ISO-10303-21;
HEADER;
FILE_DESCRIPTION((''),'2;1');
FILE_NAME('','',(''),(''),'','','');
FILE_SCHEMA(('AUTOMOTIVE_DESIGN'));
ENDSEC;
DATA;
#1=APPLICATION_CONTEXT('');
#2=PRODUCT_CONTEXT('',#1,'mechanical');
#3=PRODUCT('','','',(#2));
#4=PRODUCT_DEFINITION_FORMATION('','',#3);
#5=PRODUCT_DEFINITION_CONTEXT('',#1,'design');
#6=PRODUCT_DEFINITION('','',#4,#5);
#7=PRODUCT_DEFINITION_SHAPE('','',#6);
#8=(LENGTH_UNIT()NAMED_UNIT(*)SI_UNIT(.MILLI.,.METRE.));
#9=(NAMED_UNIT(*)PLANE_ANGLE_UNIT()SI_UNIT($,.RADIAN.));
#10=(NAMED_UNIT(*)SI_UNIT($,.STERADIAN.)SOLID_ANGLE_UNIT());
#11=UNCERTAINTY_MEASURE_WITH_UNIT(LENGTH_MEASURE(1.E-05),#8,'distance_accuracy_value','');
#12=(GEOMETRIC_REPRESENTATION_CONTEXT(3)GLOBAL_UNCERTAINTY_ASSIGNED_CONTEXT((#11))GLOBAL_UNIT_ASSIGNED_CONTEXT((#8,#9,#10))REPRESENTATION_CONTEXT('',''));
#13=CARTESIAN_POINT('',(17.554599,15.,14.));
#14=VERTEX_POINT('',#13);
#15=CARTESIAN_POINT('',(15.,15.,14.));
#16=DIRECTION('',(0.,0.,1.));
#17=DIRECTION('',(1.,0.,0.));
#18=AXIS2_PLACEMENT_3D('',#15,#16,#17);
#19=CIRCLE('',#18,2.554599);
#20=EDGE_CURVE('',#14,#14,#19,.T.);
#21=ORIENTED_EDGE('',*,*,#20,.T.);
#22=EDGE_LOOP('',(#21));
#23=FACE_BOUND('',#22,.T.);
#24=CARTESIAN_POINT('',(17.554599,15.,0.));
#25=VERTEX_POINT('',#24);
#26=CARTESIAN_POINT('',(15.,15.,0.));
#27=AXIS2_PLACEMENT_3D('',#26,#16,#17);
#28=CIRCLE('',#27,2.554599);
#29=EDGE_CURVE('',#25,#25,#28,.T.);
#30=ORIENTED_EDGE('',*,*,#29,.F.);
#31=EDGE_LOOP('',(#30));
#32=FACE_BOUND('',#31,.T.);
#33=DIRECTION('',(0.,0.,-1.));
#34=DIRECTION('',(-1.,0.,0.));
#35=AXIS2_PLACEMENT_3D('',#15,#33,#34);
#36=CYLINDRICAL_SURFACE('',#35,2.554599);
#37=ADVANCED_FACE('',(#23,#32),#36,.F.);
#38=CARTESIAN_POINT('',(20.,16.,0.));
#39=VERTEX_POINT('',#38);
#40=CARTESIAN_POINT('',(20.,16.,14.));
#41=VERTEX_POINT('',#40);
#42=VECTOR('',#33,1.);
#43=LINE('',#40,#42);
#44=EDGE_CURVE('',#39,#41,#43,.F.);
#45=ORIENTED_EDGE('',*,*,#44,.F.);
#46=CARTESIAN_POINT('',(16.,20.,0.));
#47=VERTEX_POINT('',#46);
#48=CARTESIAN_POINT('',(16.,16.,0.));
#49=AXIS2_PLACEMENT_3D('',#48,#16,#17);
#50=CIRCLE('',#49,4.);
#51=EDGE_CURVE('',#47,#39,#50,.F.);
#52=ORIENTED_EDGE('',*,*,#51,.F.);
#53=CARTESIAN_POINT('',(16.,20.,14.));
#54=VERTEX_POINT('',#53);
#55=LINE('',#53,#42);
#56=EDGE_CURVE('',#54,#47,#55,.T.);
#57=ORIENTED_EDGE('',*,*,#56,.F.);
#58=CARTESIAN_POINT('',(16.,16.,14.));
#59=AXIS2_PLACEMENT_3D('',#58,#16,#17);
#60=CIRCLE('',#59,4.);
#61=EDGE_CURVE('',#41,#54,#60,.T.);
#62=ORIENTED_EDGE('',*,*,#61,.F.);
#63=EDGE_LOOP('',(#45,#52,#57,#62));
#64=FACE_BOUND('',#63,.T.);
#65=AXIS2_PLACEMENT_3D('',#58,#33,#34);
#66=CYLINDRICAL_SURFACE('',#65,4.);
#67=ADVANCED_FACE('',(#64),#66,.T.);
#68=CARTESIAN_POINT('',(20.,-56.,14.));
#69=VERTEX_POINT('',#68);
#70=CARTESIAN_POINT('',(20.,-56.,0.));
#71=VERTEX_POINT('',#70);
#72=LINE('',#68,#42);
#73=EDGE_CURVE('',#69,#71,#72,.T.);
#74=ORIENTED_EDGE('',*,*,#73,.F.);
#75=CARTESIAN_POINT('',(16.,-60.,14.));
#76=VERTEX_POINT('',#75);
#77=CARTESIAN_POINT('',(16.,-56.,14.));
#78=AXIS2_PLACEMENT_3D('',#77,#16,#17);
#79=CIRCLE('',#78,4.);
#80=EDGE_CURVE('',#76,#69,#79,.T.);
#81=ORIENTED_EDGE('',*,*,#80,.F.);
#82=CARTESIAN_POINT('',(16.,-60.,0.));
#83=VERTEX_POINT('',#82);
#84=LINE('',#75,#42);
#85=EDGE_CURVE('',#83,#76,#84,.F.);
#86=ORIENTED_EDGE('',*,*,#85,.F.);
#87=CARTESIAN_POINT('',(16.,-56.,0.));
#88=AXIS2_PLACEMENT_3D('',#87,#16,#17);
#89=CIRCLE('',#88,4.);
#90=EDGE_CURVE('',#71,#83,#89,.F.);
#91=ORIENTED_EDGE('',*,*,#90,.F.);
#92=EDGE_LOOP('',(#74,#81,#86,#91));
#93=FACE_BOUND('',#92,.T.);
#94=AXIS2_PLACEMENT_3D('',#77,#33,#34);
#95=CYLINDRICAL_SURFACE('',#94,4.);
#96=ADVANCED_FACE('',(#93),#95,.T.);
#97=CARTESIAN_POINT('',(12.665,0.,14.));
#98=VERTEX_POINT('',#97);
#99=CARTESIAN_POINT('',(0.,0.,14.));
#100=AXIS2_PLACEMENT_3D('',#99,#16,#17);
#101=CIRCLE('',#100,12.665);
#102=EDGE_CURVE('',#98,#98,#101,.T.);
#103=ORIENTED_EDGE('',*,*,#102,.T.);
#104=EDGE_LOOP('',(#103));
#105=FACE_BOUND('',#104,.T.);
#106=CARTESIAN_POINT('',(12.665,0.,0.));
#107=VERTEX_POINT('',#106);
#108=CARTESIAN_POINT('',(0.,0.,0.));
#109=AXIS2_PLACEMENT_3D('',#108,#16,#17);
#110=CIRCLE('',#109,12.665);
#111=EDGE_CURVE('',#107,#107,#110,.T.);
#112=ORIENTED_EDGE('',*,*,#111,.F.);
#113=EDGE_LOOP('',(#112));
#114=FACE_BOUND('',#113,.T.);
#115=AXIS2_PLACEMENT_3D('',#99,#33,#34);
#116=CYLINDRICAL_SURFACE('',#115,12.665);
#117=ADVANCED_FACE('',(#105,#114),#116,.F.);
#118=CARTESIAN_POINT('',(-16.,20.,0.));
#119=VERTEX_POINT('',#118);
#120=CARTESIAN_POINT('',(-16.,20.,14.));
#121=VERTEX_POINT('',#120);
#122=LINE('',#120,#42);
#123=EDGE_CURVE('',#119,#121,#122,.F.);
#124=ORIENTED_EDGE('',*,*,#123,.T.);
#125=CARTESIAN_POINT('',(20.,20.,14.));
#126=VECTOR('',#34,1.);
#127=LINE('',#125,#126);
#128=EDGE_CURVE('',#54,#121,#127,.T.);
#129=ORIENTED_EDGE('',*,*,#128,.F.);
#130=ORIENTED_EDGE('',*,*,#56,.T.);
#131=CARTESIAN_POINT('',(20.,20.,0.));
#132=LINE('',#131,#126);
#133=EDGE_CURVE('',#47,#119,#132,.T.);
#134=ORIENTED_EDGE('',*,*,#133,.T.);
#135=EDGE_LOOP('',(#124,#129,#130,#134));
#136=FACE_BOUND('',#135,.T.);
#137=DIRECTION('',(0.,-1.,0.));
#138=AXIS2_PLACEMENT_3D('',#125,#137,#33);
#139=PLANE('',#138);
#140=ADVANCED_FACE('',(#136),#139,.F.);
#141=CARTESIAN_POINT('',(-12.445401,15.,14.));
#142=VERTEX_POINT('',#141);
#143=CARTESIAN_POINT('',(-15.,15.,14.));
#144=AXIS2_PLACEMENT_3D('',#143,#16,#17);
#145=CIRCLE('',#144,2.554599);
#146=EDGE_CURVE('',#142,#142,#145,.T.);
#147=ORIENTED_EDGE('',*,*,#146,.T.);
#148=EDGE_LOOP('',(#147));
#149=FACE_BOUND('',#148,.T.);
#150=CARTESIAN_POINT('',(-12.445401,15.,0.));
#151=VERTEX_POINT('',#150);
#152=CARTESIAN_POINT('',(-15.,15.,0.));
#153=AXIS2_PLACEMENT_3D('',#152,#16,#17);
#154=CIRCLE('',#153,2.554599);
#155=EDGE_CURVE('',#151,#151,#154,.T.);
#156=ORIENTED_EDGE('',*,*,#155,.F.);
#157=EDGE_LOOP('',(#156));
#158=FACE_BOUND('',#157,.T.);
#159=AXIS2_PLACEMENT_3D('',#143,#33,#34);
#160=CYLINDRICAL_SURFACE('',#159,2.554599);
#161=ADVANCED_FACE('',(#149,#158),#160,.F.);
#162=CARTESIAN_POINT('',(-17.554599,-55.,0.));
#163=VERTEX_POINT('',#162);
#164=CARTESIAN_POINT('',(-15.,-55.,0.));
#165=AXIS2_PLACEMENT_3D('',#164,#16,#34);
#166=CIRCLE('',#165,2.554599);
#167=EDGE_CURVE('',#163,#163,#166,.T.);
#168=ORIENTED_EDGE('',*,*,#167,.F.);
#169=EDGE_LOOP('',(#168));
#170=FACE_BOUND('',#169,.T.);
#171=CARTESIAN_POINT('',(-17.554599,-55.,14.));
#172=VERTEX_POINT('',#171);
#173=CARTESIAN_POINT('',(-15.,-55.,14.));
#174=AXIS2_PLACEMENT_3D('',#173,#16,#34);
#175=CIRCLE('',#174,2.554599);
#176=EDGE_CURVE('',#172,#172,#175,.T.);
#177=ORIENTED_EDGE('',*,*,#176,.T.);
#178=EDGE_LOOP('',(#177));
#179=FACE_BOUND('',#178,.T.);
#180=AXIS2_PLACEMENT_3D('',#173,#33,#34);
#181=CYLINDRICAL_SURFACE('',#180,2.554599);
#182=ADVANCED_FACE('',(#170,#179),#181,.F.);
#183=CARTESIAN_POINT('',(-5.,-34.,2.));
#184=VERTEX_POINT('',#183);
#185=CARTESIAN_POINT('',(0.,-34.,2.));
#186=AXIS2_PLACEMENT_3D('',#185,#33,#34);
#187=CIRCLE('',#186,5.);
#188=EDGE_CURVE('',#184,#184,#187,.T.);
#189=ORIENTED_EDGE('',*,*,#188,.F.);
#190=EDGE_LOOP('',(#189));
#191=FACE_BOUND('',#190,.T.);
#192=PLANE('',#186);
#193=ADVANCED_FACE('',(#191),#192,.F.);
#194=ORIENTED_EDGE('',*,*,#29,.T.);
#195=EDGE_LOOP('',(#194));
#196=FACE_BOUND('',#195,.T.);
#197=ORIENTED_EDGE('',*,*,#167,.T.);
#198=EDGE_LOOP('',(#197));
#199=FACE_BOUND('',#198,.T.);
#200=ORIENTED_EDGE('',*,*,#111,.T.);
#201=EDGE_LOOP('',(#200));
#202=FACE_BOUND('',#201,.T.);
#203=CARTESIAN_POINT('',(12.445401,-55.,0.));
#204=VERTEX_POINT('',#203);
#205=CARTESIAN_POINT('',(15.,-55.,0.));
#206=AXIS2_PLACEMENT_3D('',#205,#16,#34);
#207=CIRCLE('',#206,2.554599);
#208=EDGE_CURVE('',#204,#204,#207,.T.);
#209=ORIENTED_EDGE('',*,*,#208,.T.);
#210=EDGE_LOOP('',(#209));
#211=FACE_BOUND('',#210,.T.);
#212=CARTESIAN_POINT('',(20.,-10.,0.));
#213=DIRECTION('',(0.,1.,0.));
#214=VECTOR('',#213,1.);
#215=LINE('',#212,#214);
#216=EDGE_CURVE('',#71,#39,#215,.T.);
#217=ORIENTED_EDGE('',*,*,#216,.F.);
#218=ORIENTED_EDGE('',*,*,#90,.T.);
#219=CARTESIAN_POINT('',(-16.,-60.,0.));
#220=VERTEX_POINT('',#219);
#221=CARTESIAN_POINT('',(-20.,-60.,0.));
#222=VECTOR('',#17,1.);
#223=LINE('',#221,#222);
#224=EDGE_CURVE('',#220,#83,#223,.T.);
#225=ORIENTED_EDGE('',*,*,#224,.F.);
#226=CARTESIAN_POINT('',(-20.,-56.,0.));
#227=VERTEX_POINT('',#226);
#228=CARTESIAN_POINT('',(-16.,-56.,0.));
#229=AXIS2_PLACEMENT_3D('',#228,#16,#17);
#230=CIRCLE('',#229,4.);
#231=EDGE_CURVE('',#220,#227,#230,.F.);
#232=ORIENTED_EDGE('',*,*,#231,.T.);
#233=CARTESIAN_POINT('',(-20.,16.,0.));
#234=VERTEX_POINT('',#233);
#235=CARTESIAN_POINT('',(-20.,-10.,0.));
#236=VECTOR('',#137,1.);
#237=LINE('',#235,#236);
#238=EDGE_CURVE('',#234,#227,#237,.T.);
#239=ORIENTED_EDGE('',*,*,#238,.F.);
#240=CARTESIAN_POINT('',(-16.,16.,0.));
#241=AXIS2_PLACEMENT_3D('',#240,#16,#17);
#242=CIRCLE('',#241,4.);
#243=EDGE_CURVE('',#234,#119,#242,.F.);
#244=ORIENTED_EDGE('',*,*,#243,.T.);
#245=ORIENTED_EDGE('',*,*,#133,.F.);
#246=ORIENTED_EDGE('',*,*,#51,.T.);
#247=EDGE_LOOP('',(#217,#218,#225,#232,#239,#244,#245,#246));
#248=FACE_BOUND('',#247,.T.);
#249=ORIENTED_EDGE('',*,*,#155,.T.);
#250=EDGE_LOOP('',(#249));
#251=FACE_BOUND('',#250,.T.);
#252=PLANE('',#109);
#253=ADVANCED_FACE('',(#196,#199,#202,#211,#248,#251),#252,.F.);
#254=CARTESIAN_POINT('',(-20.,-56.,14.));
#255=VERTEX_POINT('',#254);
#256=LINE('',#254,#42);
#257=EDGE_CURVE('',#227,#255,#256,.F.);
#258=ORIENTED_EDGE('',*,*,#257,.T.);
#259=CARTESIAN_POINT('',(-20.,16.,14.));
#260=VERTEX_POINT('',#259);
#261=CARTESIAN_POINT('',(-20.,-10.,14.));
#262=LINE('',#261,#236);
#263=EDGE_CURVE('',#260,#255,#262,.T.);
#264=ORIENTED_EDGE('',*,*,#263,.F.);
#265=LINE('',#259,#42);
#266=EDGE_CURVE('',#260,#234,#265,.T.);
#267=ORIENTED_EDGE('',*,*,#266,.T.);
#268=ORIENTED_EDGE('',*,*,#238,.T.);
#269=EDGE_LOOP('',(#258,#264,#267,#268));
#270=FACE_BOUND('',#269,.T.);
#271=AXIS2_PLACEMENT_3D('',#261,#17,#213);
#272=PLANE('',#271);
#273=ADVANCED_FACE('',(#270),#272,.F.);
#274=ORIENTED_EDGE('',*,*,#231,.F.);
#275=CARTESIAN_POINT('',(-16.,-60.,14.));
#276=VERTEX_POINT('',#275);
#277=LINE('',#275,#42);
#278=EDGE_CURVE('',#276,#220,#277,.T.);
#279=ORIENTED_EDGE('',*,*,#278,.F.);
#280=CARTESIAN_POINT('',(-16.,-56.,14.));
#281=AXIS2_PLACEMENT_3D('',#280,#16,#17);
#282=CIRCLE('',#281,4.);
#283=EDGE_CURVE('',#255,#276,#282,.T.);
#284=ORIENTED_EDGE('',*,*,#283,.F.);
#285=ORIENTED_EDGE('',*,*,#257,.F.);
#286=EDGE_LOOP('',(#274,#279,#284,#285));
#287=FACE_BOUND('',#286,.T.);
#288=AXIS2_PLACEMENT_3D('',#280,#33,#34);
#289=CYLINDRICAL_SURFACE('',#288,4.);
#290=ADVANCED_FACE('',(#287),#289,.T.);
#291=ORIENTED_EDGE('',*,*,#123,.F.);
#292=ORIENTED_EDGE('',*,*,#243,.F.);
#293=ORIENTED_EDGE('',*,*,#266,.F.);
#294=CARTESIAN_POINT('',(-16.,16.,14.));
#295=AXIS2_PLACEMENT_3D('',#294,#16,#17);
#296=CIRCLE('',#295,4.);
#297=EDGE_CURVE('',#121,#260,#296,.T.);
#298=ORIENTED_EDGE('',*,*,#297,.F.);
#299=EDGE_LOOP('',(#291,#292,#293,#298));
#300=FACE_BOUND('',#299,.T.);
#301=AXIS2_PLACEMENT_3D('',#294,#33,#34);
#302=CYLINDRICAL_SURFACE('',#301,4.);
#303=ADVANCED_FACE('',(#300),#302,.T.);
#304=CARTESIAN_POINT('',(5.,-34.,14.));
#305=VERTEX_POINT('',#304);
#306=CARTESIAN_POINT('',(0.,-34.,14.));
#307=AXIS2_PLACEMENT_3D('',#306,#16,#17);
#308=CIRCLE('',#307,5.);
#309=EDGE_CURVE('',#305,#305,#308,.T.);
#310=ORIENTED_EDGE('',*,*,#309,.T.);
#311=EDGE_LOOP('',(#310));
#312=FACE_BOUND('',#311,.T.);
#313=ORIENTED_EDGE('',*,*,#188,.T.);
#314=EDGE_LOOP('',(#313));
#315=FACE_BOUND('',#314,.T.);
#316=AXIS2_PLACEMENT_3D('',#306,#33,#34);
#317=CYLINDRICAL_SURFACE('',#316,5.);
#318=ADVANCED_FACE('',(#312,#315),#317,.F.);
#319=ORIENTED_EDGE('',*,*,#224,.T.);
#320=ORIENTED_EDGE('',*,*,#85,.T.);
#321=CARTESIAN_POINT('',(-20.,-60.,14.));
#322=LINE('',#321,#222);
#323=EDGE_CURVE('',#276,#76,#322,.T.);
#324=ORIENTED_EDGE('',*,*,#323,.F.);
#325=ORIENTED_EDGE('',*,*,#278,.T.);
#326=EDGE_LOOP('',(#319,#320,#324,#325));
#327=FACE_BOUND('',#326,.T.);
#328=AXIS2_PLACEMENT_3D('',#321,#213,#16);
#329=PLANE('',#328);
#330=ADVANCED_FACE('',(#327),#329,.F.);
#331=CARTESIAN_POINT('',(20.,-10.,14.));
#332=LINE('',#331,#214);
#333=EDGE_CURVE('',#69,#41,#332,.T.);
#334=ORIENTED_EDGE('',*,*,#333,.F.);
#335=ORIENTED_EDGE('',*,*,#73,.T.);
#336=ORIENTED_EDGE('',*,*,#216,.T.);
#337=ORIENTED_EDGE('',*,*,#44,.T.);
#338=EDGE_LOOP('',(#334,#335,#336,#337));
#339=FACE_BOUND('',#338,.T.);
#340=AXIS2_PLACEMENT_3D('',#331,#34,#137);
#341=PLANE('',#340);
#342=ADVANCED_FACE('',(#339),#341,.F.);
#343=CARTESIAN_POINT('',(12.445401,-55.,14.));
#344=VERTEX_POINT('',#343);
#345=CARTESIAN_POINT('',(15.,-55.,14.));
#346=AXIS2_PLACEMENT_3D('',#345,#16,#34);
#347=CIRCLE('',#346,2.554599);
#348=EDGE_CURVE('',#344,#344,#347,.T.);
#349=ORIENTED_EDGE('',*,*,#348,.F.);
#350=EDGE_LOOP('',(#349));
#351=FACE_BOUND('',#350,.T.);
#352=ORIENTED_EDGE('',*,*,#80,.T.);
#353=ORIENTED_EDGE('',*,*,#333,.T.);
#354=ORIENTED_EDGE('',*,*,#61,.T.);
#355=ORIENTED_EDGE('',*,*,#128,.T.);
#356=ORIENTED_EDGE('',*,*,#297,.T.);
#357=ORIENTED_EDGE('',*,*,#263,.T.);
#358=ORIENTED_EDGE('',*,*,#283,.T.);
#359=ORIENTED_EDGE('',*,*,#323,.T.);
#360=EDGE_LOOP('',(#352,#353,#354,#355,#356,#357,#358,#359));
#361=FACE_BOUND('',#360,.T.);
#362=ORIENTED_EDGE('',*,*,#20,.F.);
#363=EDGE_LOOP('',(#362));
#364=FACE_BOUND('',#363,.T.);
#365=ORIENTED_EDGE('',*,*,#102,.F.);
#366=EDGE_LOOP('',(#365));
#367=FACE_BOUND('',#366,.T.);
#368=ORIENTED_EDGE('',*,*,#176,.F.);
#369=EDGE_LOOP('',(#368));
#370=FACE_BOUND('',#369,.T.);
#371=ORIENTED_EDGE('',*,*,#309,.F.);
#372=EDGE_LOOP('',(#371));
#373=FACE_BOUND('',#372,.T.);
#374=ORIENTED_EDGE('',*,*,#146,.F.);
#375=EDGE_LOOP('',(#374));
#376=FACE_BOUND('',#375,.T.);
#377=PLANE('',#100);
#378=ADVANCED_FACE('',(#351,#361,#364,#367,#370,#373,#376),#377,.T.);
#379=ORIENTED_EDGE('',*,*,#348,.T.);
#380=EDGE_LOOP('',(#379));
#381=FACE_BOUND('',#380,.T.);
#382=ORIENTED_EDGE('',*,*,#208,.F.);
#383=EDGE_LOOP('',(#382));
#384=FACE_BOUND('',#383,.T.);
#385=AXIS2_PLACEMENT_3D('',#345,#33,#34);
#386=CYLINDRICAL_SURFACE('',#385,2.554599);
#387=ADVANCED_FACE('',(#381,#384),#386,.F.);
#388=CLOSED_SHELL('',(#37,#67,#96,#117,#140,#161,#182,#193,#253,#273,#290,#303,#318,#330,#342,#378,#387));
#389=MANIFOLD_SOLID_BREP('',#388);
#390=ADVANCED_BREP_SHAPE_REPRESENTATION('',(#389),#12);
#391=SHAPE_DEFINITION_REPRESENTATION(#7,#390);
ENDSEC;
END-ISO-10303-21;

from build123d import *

# Parameters (mm, degrees)
SKETCH1_R           = 12.665
SKETCH1_R_2         = 2.554599
SKETCH1_R_3         = 5
BOSS_EXTRUDE1_DEPTH = 14
FILLET1_R           = 4
SKETCH11_R          = 7.5
BOSS_EXTRUDE3_DEPTH = 2


with BuildPart() as part:
    # Sketch1 → Boss-Extrude1 (new body)
    with BuildSketch(Plane.XY):
        Polygon((20, -10), (20, 20), (-20, 20), (-20, -10), (-20, -60), (20, -60), align=None)
        Circle(SKETCH1_R, mode=Mode.SUBTRACT)
        with Locations((-15, 15)):
            Circle(SKETCH1_R_2, mode=Mode.SUBTRACT)
        with Locations((15, 15)):
            Circle(SKETCH1_R_2, mode=Mode.SUBTRACT)
        with Locations((-15, -55)):
            Circle(SKETCH1_R_2, mode=Mode.SUBTRACT)
        with Locations((15, -55)):
            Circle(SKETCH1_R_2, mode=Mode.SUBTRACT)
        with Locations((0, -34)):
            Circle(SKETCH1_R_3, mode=Mode.SUBTRACT)
    extrude(amount=BOSS_EXTRUDE1_DEPTH)

    # Fillet1
    fillet1_edges = [part.edges().sort_by_distance(p)[0] for p in [
        (-20, 20, 7),
        (20, 20, 7),
        (20, -60, 7),
        (-20, -60, 7),
    ]]
    fillet(fillet1_edges, radius=FILLET1_R)

    # Sketch11 → Boss-Extrude3 (add)
    with BuildSketch(Plane(origin=(0, 0, 0), x_dir=(-1, 0, 0), z_dir=(0, 0, -1))):
        with Locations((0, -34)):
            Circle(SKETCH11_R)
    extrude(amount=-BOSS_EXTRUDE3_DEPTH)


solid = part.part
